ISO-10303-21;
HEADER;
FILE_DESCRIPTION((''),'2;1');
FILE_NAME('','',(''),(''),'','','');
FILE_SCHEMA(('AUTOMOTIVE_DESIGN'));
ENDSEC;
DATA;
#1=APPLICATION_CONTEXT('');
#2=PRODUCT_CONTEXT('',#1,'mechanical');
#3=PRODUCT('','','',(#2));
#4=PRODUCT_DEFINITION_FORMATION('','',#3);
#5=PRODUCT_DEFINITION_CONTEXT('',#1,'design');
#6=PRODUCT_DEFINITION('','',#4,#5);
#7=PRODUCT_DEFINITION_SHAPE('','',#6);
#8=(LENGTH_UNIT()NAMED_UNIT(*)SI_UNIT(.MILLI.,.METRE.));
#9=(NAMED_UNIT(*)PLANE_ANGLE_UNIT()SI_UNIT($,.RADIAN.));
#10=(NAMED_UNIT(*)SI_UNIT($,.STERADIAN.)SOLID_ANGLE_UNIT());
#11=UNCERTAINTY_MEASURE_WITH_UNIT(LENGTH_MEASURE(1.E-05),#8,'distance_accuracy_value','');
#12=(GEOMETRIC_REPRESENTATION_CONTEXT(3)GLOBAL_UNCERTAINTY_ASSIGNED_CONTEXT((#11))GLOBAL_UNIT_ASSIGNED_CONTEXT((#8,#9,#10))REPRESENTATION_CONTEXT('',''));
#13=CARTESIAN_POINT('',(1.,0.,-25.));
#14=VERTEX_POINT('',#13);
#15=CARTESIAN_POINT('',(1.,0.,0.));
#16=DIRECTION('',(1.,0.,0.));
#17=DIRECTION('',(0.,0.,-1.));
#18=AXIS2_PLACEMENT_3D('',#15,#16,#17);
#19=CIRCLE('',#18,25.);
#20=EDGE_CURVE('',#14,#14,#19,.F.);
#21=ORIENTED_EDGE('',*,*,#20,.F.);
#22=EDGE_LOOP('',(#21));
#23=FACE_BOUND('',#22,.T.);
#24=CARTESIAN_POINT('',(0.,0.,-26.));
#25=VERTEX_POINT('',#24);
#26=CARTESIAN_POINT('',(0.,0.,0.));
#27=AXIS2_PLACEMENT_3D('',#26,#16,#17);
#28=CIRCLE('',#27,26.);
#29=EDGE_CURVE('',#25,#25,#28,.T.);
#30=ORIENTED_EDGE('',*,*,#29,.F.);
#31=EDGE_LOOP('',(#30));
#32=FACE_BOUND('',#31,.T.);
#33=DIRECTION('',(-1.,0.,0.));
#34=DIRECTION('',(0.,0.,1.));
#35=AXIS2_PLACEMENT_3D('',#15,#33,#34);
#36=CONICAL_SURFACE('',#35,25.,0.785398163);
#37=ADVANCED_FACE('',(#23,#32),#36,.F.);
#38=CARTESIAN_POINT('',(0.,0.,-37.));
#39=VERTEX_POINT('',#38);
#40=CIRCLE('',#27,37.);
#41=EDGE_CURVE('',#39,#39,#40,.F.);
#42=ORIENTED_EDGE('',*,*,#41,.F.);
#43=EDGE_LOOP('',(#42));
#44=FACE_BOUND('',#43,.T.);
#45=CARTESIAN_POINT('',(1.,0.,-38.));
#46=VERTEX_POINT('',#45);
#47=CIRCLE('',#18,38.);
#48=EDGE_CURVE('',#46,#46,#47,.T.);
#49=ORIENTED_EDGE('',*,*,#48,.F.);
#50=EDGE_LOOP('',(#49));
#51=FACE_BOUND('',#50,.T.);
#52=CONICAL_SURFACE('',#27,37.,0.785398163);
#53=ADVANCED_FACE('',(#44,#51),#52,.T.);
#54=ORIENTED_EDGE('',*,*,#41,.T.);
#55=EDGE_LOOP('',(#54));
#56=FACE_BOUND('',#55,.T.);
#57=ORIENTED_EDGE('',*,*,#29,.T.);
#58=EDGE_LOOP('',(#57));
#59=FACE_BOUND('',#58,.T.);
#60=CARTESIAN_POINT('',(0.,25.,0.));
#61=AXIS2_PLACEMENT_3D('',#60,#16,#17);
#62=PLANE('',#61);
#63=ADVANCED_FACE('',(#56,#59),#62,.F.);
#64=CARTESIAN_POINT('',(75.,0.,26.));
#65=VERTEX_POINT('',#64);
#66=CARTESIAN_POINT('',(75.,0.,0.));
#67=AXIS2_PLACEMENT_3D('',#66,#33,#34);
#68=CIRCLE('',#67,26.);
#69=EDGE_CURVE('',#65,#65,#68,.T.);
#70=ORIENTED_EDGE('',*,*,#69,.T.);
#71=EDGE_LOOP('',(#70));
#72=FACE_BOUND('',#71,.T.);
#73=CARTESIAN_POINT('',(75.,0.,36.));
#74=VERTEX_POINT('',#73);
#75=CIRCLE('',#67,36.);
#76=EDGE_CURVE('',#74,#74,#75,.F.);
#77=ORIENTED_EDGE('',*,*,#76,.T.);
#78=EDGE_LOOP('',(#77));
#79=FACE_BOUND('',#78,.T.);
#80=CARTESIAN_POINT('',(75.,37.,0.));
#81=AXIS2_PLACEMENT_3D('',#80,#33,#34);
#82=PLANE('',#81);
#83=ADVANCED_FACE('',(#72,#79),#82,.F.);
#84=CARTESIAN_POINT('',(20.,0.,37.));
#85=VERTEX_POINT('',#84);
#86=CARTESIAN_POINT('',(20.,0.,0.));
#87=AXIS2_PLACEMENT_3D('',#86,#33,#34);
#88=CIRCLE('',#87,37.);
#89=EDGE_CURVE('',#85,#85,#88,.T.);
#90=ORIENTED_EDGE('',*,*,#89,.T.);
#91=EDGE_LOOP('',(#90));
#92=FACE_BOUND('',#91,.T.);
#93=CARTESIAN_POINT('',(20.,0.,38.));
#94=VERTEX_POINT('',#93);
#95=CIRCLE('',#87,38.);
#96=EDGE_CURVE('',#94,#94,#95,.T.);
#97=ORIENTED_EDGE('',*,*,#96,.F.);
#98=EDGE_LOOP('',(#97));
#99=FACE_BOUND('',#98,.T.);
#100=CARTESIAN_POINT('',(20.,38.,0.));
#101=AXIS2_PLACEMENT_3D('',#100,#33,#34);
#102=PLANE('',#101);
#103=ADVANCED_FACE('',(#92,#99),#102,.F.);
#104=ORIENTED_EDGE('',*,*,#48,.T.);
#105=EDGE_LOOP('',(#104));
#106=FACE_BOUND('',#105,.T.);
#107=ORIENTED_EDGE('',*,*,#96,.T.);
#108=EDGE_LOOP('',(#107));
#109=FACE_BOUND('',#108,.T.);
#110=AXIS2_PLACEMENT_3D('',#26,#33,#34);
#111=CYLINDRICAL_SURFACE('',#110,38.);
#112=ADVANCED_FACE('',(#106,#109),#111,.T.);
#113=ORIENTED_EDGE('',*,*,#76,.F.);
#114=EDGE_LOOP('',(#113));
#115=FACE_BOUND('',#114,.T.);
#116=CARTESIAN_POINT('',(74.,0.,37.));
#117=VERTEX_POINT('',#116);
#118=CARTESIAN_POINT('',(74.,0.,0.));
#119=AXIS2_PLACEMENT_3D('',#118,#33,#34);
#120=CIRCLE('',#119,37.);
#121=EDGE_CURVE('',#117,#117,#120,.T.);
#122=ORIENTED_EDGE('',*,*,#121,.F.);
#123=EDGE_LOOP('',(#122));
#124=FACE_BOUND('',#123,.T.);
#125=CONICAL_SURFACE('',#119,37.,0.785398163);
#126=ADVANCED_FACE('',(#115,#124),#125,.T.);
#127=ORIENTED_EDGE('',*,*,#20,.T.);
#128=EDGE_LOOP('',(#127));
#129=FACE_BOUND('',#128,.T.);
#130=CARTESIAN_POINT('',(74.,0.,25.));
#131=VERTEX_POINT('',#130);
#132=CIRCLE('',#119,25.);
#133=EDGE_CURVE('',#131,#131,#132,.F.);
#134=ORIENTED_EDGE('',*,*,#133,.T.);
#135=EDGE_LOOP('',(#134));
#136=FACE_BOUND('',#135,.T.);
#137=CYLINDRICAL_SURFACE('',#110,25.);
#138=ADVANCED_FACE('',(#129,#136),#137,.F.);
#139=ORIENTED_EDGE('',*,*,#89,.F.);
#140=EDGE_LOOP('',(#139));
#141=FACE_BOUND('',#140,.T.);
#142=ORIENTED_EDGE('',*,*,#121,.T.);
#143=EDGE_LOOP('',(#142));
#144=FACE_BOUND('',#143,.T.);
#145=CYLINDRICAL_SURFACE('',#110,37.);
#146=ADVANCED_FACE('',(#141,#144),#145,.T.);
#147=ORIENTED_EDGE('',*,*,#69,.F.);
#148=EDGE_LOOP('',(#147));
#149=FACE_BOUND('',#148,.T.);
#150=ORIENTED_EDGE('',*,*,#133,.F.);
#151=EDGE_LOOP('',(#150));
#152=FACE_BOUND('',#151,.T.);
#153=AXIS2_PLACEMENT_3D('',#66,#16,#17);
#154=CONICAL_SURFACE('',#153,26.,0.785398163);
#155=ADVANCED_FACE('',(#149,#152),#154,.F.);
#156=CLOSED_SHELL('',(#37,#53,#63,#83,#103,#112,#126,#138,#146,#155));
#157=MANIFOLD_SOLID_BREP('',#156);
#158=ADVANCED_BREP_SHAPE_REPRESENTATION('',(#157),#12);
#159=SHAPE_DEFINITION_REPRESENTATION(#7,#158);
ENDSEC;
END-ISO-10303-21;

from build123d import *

# Parameters (mm, degrees)
CHAMFER_1_SIZE = 1


with BuildPart() as part:
    # 草图1 → 旋转1 (revolve)
    with BuildSketch(Plane.XY, mode=Mode.PRIVATE) as revolve_1_sk:
        Polygon((0, 25), (0, 38), (20, 38), (20, 37), (75, 37), (75, 25), align=None)
    revolve(revolve_1_sk.sketch.rotate(Axis((0, 0, 0), (1, 0, 0)), 90), axis=Axis((0, 0, 0), (1, 0, 0)))

    # 倒角1
    chamfer_1_edges = [part.edges().sort_by_distance(p)[0] for p in [
        (75, 0, -25),
        (75, 0, -37),
        (0, 0, -38),
        (0, 0, -25),
    ]]
    chamfer(chamfer_1_edges, length=CHAMFER_1_SIZE)


solid = part.part
